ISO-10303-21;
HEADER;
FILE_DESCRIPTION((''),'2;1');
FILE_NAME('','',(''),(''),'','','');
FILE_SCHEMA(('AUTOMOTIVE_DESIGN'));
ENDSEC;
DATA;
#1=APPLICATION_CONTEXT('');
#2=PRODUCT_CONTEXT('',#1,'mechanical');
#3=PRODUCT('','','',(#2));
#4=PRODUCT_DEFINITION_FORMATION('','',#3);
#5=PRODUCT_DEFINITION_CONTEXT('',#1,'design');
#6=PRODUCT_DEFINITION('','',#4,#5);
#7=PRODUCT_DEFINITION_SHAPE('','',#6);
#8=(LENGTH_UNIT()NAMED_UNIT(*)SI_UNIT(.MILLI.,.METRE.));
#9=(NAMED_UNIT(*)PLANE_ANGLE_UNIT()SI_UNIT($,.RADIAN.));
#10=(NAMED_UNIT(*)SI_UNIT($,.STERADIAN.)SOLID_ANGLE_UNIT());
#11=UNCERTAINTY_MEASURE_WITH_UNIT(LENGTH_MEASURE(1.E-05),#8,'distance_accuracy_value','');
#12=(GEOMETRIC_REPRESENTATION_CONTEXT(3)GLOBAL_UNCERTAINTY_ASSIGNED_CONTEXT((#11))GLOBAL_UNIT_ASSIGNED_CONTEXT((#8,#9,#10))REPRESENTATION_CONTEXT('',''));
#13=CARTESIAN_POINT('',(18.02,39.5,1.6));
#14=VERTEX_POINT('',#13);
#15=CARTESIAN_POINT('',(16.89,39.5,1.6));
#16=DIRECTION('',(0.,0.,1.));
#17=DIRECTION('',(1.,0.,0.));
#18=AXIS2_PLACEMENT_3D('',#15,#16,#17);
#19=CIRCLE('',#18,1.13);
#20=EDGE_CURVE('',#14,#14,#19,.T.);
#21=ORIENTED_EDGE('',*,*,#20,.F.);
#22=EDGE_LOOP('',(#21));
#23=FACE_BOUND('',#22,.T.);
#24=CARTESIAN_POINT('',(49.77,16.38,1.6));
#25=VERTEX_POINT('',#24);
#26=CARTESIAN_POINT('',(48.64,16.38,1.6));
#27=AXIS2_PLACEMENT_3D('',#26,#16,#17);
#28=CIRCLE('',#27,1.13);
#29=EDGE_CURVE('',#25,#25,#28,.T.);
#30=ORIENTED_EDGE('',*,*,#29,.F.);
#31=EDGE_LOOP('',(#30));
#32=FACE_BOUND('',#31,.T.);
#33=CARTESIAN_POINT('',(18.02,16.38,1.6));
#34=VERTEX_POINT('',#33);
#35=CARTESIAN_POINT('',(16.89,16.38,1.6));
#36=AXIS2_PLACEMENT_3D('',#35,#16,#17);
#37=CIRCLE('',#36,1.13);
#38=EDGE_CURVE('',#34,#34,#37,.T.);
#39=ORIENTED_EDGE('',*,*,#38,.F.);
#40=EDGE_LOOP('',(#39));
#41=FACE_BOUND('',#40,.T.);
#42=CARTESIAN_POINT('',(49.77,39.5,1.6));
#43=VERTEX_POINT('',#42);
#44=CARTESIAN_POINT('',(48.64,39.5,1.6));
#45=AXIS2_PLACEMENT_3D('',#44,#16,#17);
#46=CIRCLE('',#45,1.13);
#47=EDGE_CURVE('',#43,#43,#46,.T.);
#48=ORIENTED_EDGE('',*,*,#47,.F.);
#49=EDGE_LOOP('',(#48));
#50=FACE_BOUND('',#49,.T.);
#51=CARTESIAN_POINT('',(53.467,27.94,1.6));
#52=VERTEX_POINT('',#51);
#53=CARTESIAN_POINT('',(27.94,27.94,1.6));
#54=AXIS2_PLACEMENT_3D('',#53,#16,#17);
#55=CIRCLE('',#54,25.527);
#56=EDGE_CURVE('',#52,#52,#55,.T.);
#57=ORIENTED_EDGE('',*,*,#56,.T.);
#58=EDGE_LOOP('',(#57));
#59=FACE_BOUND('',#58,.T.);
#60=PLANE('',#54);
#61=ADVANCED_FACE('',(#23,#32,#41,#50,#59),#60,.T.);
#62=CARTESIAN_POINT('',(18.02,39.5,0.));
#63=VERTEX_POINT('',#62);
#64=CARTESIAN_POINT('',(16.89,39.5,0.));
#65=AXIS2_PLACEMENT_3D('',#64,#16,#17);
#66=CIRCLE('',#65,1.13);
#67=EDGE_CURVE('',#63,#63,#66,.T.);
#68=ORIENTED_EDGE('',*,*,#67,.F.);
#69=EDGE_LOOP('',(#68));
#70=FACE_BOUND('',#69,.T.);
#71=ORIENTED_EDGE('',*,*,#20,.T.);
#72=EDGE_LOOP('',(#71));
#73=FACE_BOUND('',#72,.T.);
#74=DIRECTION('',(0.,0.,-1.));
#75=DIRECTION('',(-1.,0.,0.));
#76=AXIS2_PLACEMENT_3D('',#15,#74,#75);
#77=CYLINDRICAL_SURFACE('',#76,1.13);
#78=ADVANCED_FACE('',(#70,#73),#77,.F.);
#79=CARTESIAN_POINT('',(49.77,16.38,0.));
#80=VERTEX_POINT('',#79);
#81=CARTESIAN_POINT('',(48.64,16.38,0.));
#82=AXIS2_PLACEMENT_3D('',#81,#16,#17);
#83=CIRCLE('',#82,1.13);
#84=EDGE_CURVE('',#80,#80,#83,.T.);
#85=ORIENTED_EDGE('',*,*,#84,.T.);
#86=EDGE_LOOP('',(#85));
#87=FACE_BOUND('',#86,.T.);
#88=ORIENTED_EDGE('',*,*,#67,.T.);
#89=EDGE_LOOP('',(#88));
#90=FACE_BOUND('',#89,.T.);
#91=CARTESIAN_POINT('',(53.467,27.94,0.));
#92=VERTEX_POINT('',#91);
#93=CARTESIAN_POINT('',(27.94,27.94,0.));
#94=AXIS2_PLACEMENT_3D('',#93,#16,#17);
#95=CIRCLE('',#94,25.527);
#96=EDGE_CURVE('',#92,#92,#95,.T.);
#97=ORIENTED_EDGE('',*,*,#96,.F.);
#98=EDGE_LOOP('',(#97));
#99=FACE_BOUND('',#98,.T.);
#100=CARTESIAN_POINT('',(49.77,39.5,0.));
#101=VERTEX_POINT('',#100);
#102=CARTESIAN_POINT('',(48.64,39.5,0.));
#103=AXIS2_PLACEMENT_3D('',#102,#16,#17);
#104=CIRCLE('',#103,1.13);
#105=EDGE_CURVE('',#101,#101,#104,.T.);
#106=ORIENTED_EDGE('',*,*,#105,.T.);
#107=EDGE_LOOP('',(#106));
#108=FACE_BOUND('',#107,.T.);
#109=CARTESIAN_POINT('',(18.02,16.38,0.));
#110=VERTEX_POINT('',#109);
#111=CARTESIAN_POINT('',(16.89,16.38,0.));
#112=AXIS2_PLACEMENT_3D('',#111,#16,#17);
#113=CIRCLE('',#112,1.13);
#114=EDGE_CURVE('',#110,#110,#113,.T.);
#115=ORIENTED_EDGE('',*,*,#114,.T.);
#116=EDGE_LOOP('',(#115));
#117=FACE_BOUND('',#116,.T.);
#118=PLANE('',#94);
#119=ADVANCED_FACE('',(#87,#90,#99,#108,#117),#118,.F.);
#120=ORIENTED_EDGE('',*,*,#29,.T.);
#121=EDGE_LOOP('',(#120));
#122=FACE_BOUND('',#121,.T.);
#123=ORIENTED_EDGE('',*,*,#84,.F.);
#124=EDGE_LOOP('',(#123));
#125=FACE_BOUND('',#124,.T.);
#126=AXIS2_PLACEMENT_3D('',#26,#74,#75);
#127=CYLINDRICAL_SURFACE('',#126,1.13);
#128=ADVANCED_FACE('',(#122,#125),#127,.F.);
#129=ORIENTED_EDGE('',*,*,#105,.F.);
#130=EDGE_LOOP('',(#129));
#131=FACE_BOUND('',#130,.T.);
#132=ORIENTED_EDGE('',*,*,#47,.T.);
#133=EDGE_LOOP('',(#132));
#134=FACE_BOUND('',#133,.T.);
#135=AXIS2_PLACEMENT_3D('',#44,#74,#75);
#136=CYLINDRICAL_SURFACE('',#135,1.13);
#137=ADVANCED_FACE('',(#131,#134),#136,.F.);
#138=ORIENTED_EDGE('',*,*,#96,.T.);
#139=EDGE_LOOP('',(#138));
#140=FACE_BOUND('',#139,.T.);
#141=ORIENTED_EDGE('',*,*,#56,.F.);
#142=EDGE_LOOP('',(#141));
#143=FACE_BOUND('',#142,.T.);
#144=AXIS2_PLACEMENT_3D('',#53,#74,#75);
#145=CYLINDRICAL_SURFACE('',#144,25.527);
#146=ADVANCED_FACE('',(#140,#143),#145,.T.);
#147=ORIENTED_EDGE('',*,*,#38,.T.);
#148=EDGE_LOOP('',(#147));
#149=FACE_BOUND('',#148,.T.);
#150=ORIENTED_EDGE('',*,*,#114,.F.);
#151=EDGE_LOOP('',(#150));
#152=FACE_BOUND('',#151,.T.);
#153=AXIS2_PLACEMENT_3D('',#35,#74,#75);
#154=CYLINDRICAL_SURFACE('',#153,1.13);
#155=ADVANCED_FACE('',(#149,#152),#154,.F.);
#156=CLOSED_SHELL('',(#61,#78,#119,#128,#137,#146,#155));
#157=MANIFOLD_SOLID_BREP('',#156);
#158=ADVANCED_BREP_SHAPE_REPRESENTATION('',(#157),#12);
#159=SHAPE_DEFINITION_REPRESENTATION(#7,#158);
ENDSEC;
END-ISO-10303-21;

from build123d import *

# Parameters (mm, degrees)
SKETCH1_R              = 25.527
BOARD_DEPTH            = 1.6
SKETCH2_R              = 1.13
NON_PLATED_HOLES_DEPTH = 76.630682782


with BuildPart() as part:
    # Sketch1 → BOARD (new body)
    with BuildSketch(Plane.XY):
        with Locations((27.94, 27.94)):
            Circle(SKETCH1_R)
    extrude(amount=BOARD_DEPTH)

    # Sketch2 → NON-PLATED HOLES (cut, through all)
    with BuildSketch(Plane.XY):
        with Locations((48.64, 39.5)):
            Circle(SKETCH2_R)
        with Locations((48.64, 16.38)):
            Circle(SKETCH2_R)
        with Locations((16.89, 39.5)):
            Circle(SKETCH2_R)
        with Locations((16.89, 16.38)):
            Circle(SKETCH2_R)
    extrude(amount=NON_PLATED_HOLES_DEPTH, mode=Mode.SUBTRACT)


solid = part.part
